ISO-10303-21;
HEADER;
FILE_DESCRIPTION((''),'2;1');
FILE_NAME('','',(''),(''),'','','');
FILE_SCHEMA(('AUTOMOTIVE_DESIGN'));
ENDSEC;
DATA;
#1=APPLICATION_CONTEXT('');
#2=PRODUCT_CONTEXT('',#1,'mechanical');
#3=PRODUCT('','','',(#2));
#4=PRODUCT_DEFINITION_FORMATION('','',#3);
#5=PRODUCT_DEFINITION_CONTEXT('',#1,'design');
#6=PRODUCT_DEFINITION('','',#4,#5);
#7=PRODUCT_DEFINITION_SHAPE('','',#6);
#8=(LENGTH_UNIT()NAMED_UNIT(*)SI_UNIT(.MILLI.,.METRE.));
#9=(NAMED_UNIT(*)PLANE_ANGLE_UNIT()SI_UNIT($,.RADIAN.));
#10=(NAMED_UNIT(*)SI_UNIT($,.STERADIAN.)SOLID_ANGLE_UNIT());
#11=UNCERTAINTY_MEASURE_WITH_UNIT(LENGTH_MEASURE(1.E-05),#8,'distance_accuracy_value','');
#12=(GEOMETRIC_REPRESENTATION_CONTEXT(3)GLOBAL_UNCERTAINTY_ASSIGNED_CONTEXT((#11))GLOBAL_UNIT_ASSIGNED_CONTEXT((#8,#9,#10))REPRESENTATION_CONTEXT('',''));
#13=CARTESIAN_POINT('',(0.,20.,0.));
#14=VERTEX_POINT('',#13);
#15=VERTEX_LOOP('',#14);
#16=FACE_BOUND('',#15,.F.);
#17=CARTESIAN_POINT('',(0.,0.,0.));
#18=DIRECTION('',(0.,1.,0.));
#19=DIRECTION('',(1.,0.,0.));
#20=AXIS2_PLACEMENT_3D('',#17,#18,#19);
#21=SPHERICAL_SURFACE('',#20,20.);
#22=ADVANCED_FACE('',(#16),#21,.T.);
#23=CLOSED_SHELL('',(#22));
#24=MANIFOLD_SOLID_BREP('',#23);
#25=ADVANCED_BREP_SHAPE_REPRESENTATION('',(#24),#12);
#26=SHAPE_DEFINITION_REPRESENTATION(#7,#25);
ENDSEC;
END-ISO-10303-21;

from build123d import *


with BuildPart() as part:
    # 草图1 → 旋转1 (revolve)
    with BuildSketch(Plane.XY):
        with BuildLine():
            Line((0, 20), (0, -20))
            ThreePointArc((0, -20), (20, 0), (0, 20))
        make_face()
    revolve(axis=Axis((0, 20, 0), (0, -1, 0)))


solid = part.part
